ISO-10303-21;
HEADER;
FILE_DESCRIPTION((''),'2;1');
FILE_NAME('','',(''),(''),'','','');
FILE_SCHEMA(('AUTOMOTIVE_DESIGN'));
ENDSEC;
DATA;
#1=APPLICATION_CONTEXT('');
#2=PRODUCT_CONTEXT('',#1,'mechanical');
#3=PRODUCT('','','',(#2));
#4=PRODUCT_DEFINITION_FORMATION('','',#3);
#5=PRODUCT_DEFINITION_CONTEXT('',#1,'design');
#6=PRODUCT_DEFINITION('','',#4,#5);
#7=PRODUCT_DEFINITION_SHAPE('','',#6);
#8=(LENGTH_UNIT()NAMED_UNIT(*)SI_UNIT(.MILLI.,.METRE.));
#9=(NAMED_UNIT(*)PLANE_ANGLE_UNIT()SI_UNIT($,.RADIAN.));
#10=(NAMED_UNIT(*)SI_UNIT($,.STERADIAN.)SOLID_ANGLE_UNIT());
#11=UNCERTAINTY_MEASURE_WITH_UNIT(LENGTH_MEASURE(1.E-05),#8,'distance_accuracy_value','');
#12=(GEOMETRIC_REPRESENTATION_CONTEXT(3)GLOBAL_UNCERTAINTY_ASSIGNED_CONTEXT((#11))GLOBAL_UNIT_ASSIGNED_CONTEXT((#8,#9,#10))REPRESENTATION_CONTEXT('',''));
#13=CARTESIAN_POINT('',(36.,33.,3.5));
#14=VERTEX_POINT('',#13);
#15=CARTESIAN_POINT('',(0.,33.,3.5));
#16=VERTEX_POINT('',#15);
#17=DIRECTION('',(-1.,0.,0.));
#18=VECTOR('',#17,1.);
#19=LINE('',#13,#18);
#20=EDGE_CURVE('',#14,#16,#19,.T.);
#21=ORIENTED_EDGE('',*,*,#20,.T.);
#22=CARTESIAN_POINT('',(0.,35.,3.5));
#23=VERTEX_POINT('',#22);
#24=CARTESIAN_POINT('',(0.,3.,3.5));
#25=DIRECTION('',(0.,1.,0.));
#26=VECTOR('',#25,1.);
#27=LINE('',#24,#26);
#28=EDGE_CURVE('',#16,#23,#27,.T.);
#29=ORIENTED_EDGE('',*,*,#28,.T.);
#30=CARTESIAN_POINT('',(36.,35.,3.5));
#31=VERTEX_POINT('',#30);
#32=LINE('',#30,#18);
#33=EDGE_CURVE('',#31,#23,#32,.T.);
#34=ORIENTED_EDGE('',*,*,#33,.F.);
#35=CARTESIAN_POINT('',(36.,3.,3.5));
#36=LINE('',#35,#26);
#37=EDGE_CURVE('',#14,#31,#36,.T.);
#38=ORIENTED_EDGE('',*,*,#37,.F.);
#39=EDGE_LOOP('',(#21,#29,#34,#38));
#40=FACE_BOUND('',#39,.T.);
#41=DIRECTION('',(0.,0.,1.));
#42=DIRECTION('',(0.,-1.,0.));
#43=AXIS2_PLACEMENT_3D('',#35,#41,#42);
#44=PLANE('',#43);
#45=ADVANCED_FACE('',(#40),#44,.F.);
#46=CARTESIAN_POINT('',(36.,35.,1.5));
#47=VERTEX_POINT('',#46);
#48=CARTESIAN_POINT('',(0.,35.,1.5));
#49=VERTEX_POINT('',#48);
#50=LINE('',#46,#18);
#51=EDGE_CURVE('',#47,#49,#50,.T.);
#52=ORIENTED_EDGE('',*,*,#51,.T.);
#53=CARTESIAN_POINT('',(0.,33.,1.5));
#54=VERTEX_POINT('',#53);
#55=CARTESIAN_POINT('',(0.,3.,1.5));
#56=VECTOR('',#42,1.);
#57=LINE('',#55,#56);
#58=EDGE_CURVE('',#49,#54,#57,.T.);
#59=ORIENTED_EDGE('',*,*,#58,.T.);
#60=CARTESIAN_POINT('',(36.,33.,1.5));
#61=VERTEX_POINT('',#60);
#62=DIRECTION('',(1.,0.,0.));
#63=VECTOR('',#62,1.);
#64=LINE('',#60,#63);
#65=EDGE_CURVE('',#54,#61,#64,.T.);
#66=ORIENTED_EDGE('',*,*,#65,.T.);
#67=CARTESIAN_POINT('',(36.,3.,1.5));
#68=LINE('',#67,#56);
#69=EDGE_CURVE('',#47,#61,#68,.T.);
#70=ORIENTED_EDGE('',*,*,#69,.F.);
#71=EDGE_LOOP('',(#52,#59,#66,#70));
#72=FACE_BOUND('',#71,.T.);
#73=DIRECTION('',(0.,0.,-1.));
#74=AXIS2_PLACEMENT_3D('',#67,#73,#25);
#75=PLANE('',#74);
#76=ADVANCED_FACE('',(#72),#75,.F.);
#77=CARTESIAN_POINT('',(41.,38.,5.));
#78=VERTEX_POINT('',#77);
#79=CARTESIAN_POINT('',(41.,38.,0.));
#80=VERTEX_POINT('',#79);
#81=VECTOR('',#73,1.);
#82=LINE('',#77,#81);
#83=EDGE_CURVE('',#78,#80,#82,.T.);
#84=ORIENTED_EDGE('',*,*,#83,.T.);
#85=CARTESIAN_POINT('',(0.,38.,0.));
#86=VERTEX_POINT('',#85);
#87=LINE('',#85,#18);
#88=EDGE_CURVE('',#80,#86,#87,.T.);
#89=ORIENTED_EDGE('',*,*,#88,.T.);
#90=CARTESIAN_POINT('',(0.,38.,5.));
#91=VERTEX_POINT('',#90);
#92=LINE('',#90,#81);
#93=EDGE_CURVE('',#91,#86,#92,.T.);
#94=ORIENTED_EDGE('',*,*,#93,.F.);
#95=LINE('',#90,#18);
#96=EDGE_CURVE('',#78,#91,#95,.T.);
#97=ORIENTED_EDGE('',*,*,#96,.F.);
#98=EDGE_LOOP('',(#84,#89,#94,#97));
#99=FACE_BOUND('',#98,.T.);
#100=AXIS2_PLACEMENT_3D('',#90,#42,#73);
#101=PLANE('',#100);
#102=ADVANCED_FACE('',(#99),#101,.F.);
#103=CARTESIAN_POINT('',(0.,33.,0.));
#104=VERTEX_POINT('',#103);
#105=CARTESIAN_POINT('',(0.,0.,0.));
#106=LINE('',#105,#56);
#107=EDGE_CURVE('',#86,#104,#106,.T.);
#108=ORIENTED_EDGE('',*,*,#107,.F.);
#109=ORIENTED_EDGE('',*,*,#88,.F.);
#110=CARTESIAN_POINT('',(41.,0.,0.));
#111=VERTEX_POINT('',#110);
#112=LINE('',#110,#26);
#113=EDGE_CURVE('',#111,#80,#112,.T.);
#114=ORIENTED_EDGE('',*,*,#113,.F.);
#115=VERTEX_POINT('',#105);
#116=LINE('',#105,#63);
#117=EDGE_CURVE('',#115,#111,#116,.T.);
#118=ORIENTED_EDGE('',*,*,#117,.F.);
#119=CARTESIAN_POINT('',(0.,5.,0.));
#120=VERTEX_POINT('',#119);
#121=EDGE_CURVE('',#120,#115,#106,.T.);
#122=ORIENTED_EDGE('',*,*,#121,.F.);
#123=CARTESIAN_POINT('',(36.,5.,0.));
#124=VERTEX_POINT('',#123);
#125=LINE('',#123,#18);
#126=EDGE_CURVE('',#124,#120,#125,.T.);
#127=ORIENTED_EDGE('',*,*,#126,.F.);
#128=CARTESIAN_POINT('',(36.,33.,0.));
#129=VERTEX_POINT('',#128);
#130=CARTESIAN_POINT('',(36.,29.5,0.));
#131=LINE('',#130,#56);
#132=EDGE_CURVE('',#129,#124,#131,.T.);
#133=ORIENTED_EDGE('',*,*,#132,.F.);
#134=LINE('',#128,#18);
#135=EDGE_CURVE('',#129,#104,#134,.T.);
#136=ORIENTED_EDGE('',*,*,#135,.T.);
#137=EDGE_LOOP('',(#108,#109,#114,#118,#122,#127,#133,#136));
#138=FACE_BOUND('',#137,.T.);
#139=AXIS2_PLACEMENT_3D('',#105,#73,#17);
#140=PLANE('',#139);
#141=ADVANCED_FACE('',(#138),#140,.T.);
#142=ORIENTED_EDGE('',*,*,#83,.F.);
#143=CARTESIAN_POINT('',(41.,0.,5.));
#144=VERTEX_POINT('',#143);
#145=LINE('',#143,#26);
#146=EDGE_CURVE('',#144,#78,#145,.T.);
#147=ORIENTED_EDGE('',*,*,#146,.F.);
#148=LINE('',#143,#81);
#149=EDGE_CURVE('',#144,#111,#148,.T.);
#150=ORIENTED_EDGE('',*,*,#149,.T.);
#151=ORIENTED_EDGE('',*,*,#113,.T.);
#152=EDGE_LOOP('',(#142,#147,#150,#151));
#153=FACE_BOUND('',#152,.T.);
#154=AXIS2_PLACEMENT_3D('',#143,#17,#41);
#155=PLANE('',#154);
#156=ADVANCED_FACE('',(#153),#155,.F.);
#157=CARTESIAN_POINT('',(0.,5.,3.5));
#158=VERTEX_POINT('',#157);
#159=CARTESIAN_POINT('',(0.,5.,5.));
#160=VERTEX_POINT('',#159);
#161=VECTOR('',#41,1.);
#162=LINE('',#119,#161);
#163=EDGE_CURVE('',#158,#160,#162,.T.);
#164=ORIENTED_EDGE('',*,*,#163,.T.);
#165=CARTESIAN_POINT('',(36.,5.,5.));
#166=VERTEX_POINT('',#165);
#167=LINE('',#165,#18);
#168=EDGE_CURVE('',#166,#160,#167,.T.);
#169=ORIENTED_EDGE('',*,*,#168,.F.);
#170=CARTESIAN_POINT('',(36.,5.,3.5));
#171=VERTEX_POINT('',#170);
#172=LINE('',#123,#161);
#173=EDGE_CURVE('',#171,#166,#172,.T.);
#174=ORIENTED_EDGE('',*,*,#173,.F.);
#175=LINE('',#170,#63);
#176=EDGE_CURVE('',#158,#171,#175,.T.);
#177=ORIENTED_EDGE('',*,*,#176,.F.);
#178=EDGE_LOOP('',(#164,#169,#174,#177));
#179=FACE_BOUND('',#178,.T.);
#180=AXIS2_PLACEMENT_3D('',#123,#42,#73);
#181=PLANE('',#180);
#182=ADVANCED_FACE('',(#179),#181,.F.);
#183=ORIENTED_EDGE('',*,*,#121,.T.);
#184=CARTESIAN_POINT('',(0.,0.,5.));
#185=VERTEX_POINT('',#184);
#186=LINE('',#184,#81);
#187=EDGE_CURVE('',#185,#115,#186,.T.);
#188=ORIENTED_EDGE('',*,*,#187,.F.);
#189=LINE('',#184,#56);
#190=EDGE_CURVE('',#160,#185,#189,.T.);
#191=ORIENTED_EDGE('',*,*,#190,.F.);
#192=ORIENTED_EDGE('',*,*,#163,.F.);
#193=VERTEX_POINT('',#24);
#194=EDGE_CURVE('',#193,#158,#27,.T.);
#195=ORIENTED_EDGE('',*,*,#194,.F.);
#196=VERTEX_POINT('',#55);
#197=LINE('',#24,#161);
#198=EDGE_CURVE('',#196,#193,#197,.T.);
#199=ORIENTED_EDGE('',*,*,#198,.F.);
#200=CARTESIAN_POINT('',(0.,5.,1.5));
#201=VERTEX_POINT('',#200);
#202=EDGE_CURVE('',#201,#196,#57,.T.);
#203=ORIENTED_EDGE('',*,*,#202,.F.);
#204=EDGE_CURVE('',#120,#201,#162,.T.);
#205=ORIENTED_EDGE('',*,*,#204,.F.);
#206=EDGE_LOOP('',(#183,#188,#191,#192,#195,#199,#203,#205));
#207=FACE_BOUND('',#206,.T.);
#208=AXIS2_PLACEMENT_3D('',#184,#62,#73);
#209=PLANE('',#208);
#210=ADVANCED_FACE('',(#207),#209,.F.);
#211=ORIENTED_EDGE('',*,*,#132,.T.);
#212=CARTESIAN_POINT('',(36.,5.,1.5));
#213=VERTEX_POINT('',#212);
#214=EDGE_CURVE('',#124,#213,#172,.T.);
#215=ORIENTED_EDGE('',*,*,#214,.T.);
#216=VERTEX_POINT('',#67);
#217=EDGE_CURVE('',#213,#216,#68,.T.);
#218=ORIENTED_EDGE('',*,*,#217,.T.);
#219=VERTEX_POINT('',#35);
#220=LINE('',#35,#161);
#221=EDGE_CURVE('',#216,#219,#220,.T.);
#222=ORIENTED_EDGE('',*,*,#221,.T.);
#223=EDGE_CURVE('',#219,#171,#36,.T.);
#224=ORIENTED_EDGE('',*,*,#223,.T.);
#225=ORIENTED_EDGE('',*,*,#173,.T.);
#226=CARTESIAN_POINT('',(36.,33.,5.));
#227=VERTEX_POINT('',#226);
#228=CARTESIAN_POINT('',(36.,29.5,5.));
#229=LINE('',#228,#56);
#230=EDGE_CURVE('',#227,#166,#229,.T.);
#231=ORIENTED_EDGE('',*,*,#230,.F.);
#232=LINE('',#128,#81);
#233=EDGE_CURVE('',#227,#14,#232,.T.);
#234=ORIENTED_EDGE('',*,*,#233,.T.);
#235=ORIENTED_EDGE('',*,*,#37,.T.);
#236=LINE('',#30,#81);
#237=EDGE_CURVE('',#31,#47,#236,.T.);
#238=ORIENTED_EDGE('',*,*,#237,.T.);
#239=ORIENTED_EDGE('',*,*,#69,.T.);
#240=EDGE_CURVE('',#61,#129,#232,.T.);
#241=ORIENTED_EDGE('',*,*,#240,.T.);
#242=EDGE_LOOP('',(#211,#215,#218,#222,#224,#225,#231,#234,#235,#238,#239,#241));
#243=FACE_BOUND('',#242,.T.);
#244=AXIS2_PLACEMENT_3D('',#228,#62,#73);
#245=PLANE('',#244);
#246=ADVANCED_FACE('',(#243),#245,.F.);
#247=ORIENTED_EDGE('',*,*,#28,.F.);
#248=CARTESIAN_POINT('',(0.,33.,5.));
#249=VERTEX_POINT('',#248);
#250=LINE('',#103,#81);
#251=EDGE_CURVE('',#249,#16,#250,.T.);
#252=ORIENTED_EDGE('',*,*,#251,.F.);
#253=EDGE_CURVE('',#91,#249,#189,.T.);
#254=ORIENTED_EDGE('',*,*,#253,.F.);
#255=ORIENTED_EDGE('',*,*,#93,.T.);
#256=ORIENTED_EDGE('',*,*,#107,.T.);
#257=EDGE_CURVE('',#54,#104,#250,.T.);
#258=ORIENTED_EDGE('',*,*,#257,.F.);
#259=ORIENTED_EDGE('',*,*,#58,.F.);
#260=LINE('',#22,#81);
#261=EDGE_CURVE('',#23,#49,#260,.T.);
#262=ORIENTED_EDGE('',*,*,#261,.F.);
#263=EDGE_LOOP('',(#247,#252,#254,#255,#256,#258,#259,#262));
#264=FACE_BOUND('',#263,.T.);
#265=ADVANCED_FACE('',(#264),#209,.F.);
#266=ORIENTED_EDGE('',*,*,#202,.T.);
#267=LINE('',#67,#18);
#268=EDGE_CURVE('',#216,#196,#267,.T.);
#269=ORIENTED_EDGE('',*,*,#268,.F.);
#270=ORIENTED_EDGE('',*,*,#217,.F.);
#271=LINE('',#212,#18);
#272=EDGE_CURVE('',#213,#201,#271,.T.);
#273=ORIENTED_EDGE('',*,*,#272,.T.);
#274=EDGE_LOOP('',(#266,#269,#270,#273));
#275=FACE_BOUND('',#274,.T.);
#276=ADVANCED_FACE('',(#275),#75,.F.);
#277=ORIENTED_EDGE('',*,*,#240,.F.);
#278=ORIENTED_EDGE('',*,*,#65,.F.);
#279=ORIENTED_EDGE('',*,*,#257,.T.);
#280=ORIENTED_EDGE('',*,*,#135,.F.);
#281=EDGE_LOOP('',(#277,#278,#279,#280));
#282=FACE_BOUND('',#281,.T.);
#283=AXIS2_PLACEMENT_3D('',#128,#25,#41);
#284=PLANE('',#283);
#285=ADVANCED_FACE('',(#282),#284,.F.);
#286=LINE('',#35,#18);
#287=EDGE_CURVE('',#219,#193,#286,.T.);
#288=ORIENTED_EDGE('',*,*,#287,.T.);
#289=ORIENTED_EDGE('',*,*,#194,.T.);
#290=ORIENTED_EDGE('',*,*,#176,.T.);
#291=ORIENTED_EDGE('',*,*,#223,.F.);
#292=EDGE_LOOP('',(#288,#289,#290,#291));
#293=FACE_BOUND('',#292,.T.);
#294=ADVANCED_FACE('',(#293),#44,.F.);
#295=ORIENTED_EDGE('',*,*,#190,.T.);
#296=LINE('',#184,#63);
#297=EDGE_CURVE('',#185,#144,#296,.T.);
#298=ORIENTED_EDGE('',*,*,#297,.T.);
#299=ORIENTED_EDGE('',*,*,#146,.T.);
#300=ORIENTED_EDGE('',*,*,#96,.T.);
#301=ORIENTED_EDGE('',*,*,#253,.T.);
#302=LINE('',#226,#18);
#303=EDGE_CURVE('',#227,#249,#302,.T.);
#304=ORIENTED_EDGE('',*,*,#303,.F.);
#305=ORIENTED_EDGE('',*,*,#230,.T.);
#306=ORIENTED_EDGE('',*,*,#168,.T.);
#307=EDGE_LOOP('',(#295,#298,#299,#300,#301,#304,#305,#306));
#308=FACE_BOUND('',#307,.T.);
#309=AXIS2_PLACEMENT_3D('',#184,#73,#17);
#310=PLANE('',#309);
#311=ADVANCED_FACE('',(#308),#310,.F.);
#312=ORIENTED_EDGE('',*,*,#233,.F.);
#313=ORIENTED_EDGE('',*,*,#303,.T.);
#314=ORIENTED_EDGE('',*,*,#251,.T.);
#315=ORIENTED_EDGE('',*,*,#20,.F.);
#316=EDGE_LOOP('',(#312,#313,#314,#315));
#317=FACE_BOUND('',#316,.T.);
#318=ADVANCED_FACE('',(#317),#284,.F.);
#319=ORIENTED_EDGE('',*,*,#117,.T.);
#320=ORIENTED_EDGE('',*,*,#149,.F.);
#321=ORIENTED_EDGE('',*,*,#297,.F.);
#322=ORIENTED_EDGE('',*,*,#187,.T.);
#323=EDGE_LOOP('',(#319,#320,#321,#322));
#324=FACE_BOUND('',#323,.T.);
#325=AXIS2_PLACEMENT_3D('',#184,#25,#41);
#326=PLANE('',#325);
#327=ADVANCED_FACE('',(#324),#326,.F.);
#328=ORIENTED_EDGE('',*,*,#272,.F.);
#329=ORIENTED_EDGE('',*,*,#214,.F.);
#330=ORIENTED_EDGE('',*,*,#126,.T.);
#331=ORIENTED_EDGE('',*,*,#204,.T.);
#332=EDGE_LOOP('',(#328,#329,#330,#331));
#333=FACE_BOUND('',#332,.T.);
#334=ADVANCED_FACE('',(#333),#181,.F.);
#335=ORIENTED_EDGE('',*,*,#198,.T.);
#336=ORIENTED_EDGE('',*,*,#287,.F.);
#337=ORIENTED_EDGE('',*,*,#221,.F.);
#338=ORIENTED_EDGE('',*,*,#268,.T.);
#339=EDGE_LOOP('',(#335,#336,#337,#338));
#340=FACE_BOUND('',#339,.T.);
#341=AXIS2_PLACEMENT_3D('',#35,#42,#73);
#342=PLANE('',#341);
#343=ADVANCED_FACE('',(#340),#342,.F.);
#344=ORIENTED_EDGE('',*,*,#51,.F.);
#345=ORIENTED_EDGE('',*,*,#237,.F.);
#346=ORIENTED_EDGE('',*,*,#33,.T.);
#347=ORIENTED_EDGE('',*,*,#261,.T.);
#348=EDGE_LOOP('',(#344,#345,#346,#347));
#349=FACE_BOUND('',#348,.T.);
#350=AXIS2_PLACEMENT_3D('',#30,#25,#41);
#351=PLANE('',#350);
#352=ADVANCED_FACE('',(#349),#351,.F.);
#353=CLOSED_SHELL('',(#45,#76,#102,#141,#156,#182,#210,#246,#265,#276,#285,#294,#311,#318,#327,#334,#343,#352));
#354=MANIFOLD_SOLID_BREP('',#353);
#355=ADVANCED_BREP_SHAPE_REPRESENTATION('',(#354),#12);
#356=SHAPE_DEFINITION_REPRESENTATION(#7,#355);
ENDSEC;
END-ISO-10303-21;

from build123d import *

# Parameters (mm, degrees)
ESQUISSE1_W             = 41
ESQUISSE1_H             = 38
BOSS_EXTRU_1_DEPTH      = 5
ESQUISSE6_W             = 36
ESQUISSE6_H             = 21
ENL_V_MAT_EXTRU_3_DEPTH = 5
ESQUISSE7_W             = 2
ESQUISSE7_H             = 32
ENL_V_MAT_EXTRU_4_DEPTH = 36
ESQUISSE8_W             = 5
ESQUISSE8_H             = 28
ENL_V_MAT_EXTRU_5_DEPTH = 36


with BuildPart() as part:
    # Esquisse1 → Boss.-Extru.1 (new body)
    with BuildSketch(Plane.XY):
        with Locations((20.5, 19)):
            Rectangle(ESQUISSE1_W, ESQUISSE1_H)
    extrude(amount=BOSS_EXTRU_1_DEPTH)

    # Esquisse6 → Enlèv. mat.-Extru.3 (cut)
    with BuildSketch(Plane(origin=(0, 0, 0), x_dir=(-1, 0, 0), z_dir=(0, 0, -1))):
        with Locations((-18, 19)):
            Rectangle(ESQUISSE6_W, ESQUISSE6_H)
    extrude(amount=-ENL_V_MAT_EXTRU_3_DEPTH, mode=Mode.SUBTRACT)

    # Esquisse7 → Enlèv. mat.-Extru.4 (cut)
    with BuildSketch(Plane.ZY):
        with Locations((2.5, 19)):
            Rectangle(ESQUISSE7_W, ESQUISSE7_H)
    extrude(amount=-ENL_V_MAT_EXTRU_4_DEPTH, mode=Mode.SUBTRACT)

    # Esquisse8 → Enlèv. mat.-Extru.5 (cut)
    with BuildSketch(Plane.ZY):
        with Locations((2.5, 19)):
            Rectangle(ESQUISSE8_W, ESQUISSE8_H)
    extrude(amount=-ENL_V_MAT_EXTRU_5_DEPTH, mode=Mode.SUBTRACT)


solid = part.part
